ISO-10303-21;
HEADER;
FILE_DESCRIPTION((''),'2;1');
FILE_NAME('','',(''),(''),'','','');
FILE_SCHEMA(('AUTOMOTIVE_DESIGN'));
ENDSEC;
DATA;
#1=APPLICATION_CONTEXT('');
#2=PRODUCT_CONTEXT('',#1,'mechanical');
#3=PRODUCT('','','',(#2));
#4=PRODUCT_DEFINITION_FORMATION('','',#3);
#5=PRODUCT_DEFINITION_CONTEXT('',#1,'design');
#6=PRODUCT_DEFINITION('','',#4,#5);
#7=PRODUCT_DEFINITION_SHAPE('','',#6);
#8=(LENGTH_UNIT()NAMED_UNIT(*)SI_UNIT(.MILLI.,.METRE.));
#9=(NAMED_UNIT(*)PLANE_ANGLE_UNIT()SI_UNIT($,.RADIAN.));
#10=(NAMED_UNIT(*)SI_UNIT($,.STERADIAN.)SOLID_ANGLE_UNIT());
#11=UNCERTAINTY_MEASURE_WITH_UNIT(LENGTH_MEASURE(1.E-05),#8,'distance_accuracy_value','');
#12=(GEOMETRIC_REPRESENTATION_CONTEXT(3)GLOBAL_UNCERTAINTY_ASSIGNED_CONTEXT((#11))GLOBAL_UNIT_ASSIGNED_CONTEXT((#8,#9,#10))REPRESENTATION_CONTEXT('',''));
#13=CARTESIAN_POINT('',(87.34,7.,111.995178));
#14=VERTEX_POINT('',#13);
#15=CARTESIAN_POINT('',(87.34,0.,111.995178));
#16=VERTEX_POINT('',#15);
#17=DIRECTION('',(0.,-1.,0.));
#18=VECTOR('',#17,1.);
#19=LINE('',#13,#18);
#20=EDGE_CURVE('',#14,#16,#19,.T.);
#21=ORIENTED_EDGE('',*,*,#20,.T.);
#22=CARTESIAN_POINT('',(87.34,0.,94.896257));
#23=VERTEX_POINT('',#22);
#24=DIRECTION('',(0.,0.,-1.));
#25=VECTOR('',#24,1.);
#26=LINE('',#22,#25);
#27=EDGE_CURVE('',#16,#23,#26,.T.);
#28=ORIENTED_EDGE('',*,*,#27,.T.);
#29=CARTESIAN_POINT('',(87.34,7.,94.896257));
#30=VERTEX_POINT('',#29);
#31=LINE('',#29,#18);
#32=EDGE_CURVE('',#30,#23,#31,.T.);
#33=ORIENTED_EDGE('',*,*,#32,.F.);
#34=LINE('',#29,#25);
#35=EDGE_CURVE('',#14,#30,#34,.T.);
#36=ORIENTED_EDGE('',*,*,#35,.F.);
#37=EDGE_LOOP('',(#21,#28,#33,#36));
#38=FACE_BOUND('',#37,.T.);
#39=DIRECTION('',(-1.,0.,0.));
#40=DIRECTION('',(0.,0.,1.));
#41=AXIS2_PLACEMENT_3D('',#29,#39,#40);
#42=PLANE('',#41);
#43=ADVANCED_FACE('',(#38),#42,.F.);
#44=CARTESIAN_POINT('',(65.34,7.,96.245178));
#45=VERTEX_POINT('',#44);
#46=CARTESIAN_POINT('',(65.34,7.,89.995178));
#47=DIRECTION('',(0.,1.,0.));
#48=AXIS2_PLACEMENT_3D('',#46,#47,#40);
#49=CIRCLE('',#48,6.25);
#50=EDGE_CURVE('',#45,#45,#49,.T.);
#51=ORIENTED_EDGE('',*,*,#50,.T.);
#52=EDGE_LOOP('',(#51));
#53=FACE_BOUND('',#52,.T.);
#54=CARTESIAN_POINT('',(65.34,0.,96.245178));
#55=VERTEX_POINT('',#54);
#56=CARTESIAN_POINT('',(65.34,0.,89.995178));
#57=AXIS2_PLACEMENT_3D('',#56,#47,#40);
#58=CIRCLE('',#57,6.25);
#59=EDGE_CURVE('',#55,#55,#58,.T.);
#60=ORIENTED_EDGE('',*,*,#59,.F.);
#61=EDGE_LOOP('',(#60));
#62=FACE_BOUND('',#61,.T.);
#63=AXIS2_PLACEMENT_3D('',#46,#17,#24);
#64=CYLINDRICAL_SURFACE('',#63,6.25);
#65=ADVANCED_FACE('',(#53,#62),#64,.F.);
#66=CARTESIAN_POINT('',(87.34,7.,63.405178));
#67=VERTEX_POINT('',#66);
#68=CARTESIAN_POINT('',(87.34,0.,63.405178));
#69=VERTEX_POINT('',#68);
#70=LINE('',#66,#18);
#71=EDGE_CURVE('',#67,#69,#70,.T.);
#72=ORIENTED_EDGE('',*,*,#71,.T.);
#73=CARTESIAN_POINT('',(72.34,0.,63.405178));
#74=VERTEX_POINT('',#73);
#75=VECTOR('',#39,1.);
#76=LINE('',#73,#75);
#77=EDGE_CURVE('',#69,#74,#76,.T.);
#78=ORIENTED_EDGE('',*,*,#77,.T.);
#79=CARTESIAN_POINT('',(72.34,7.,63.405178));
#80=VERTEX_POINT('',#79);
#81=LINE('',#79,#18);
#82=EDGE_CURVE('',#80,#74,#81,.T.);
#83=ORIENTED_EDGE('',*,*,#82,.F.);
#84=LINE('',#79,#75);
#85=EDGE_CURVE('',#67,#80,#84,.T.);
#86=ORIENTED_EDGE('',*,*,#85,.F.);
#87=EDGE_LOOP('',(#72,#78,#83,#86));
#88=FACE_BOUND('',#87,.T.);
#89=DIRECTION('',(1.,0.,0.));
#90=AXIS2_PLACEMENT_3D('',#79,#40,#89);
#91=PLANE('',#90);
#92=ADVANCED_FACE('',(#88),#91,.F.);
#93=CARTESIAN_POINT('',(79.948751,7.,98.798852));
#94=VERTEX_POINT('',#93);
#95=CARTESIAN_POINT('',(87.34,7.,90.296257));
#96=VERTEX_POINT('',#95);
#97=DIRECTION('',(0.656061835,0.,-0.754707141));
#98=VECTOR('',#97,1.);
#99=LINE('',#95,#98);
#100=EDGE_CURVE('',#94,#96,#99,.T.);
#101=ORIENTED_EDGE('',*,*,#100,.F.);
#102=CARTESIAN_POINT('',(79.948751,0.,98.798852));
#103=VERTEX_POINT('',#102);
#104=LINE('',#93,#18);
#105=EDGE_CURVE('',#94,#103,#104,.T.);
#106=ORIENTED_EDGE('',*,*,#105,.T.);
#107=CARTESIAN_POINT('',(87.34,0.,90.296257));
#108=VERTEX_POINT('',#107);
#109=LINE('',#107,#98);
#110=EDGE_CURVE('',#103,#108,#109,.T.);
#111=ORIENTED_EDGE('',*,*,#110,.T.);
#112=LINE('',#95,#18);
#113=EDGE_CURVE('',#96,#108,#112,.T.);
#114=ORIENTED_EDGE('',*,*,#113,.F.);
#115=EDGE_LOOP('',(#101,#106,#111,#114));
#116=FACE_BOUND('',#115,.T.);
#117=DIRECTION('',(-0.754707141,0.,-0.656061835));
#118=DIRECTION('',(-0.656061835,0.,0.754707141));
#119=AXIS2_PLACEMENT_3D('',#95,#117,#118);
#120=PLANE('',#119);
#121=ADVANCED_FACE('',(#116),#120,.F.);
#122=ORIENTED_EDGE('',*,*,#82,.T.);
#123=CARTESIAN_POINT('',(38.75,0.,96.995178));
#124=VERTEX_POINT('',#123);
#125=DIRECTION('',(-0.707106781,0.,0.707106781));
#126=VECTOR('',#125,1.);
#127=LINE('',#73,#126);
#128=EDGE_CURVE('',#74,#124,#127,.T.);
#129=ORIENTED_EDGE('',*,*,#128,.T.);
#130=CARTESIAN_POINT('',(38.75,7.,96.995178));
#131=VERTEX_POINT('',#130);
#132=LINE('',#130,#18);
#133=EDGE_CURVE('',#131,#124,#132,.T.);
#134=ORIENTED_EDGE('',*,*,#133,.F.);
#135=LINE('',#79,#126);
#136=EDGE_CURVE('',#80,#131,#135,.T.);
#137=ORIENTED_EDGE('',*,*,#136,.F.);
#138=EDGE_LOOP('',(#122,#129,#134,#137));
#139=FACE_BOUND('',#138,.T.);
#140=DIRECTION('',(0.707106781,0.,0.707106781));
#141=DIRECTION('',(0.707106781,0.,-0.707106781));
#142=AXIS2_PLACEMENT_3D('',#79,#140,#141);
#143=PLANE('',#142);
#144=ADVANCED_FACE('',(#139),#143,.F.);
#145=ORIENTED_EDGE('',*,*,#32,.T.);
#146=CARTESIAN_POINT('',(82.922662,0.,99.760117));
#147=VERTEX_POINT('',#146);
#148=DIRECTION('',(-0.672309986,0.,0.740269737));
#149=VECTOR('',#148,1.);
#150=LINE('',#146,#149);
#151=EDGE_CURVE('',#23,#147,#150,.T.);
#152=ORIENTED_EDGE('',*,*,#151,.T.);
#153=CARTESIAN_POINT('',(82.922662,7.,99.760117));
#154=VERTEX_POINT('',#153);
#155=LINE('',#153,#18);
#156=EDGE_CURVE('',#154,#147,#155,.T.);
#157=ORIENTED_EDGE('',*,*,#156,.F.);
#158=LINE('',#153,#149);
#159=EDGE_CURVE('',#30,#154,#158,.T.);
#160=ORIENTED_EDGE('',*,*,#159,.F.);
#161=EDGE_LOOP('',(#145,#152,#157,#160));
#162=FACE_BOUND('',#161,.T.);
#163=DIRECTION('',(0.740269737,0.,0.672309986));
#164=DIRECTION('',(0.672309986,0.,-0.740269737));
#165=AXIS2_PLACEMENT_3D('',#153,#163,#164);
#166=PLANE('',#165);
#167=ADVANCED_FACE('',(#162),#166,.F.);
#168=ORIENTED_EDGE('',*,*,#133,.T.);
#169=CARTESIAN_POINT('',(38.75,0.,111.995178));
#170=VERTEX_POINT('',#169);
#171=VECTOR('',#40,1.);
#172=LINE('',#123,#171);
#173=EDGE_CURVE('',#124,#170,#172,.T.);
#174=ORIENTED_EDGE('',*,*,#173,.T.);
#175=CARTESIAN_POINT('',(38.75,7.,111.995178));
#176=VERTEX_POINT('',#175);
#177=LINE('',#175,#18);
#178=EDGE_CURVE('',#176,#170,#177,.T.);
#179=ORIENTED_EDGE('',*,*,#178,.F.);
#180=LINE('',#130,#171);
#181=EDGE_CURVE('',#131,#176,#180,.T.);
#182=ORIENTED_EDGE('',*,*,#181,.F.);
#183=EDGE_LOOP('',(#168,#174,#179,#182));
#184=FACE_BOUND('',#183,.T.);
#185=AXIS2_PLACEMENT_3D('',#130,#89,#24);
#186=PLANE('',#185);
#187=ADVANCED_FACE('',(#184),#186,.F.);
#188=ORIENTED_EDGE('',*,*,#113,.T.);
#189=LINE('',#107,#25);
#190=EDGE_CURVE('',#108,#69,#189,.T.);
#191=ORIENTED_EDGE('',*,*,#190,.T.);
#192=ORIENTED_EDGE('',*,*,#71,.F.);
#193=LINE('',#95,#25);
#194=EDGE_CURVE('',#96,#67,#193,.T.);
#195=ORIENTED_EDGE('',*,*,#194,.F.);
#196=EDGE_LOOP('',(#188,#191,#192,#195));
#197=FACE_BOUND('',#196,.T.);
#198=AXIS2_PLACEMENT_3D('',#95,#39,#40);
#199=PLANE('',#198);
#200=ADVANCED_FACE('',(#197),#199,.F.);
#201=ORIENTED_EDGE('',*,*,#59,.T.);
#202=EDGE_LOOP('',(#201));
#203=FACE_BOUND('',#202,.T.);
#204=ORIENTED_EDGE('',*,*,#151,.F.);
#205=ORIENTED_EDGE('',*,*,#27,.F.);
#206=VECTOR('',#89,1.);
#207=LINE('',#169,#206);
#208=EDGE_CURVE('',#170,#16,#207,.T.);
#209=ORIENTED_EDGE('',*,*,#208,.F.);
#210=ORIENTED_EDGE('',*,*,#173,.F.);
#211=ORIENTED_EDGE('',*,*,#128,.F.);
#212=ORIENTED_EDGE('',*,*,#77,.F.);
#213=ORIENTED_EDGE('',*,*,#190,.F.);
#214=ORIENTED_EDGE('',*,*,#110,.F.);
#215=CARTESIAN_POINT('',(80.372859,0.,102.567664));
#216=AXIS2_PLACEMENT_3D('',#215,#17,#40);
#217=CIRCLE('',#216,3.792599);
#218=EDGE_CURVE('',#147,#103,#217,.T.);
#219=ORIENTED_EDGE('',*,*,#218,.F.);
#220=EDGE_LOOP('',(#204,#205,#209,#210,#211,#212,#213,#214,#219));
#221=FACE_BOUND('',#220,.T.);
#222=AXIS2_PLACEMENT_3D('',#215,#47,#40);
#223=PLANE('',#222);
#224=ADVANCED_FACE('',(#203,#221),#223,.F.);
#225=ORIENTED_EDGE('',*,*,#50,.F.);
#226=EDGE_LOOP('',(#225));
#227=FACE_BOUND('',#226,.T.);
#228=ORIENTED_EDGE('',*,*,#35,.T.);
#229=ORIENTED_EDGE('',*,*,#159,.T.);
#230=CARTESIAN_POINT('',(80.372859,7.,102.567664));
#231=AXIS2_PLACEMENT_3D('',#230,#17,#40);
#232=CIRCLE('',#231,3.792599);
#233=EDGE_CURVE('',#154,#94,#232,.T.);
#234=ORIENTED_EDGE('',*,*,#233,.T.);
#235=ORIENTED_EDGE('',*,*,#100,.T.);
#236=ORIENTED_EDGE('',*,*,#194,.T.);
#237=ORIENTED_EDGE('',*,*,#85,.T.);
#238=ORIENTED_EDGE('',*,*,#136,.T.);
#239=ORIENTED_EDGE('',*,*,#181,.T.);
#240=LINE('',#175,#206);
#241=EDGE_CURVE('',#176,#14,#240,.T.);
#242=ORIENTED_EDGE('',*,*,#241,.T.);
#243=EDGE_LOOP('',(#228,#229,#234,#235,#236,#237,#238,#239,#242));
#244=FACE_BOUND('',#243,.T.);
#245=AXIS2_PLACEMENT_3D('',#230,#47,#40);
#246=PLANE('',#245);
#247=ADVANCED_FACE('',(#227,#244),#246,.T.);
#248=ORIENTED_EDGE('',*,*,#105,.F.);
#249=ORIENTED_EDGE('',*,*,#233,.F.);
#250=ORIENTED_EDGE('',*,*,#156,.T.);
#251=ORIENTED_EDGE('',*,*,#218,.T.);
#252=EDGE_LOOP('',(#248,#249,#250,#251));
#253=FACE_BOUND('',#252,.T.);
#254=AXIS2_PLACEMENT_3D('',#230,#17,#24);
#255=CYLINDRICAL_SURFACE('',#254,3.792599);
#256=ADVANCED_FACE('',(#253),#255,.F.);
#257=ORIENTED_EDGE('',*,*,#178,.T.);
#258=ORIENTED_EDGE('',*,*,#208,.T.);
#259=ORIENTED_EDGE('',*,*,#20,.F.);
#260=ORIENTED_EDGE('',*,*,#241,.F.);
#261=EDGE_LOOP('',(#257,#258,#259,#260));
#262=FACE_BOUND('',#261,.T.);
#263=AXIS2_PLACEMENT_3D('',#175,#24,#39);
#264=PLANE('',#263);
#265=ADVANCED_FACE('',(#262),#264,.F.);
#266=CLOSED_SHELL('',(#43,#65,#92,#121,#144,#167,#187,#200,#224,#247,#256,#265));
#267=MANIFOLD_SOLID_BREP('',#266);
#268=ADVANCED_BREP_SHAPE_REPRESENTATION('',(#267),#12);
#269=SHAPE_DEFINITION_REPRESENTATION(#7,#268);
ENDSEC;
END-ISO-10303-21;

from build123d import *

# Parameters (mm, degrees)
SKETCH1_R           = 6.25
BOSS_EXTRUDE1_DEPTH = 7


with BuildPart() as part:
    # Sketch1 → Boss-Extrude1 (new body)
    with BuildSketch(Plane(origin=(0, 0, 0), x_dir=(1, 0, 0), z_dir=(0, 1, 0))):
        with BuildLine():
            Line((72.34, -63.405178012), (38.75, -96.995178012))
            Line((38.75, -96.995178012), (38.75, -111.995178012))
            Line((38.75, -111.995178012), (87.34, -111.995178012))
            Line((87.34, -111.995178012), (87.34, -94.896256746))
            Line((87.34, -94.896256746), (82.922661505, -99.760117279))
            ThreePointArc((82.922661505, -99.760117279), (79.206389469, -106.17642477), (79.948751144, -98.798852079))
            Line((79.948751144, -98.798852079), (87.34, -90.296256746))
            Line((87.34, -90.296256746), (87.34, -63.405178012))
            Line((87.34, -63.405178012), (72.34, -63.405178012))
        make_face()
        with Locations(Location((65.34, -89.995178012, 0), (0, 0, 270))):
            Circle(SKETCH1_R, mode=Mode.SUBTRACT)
    extrude(amount=BOSS_EXTRUDE1_DEPTH)


solid = part.part
